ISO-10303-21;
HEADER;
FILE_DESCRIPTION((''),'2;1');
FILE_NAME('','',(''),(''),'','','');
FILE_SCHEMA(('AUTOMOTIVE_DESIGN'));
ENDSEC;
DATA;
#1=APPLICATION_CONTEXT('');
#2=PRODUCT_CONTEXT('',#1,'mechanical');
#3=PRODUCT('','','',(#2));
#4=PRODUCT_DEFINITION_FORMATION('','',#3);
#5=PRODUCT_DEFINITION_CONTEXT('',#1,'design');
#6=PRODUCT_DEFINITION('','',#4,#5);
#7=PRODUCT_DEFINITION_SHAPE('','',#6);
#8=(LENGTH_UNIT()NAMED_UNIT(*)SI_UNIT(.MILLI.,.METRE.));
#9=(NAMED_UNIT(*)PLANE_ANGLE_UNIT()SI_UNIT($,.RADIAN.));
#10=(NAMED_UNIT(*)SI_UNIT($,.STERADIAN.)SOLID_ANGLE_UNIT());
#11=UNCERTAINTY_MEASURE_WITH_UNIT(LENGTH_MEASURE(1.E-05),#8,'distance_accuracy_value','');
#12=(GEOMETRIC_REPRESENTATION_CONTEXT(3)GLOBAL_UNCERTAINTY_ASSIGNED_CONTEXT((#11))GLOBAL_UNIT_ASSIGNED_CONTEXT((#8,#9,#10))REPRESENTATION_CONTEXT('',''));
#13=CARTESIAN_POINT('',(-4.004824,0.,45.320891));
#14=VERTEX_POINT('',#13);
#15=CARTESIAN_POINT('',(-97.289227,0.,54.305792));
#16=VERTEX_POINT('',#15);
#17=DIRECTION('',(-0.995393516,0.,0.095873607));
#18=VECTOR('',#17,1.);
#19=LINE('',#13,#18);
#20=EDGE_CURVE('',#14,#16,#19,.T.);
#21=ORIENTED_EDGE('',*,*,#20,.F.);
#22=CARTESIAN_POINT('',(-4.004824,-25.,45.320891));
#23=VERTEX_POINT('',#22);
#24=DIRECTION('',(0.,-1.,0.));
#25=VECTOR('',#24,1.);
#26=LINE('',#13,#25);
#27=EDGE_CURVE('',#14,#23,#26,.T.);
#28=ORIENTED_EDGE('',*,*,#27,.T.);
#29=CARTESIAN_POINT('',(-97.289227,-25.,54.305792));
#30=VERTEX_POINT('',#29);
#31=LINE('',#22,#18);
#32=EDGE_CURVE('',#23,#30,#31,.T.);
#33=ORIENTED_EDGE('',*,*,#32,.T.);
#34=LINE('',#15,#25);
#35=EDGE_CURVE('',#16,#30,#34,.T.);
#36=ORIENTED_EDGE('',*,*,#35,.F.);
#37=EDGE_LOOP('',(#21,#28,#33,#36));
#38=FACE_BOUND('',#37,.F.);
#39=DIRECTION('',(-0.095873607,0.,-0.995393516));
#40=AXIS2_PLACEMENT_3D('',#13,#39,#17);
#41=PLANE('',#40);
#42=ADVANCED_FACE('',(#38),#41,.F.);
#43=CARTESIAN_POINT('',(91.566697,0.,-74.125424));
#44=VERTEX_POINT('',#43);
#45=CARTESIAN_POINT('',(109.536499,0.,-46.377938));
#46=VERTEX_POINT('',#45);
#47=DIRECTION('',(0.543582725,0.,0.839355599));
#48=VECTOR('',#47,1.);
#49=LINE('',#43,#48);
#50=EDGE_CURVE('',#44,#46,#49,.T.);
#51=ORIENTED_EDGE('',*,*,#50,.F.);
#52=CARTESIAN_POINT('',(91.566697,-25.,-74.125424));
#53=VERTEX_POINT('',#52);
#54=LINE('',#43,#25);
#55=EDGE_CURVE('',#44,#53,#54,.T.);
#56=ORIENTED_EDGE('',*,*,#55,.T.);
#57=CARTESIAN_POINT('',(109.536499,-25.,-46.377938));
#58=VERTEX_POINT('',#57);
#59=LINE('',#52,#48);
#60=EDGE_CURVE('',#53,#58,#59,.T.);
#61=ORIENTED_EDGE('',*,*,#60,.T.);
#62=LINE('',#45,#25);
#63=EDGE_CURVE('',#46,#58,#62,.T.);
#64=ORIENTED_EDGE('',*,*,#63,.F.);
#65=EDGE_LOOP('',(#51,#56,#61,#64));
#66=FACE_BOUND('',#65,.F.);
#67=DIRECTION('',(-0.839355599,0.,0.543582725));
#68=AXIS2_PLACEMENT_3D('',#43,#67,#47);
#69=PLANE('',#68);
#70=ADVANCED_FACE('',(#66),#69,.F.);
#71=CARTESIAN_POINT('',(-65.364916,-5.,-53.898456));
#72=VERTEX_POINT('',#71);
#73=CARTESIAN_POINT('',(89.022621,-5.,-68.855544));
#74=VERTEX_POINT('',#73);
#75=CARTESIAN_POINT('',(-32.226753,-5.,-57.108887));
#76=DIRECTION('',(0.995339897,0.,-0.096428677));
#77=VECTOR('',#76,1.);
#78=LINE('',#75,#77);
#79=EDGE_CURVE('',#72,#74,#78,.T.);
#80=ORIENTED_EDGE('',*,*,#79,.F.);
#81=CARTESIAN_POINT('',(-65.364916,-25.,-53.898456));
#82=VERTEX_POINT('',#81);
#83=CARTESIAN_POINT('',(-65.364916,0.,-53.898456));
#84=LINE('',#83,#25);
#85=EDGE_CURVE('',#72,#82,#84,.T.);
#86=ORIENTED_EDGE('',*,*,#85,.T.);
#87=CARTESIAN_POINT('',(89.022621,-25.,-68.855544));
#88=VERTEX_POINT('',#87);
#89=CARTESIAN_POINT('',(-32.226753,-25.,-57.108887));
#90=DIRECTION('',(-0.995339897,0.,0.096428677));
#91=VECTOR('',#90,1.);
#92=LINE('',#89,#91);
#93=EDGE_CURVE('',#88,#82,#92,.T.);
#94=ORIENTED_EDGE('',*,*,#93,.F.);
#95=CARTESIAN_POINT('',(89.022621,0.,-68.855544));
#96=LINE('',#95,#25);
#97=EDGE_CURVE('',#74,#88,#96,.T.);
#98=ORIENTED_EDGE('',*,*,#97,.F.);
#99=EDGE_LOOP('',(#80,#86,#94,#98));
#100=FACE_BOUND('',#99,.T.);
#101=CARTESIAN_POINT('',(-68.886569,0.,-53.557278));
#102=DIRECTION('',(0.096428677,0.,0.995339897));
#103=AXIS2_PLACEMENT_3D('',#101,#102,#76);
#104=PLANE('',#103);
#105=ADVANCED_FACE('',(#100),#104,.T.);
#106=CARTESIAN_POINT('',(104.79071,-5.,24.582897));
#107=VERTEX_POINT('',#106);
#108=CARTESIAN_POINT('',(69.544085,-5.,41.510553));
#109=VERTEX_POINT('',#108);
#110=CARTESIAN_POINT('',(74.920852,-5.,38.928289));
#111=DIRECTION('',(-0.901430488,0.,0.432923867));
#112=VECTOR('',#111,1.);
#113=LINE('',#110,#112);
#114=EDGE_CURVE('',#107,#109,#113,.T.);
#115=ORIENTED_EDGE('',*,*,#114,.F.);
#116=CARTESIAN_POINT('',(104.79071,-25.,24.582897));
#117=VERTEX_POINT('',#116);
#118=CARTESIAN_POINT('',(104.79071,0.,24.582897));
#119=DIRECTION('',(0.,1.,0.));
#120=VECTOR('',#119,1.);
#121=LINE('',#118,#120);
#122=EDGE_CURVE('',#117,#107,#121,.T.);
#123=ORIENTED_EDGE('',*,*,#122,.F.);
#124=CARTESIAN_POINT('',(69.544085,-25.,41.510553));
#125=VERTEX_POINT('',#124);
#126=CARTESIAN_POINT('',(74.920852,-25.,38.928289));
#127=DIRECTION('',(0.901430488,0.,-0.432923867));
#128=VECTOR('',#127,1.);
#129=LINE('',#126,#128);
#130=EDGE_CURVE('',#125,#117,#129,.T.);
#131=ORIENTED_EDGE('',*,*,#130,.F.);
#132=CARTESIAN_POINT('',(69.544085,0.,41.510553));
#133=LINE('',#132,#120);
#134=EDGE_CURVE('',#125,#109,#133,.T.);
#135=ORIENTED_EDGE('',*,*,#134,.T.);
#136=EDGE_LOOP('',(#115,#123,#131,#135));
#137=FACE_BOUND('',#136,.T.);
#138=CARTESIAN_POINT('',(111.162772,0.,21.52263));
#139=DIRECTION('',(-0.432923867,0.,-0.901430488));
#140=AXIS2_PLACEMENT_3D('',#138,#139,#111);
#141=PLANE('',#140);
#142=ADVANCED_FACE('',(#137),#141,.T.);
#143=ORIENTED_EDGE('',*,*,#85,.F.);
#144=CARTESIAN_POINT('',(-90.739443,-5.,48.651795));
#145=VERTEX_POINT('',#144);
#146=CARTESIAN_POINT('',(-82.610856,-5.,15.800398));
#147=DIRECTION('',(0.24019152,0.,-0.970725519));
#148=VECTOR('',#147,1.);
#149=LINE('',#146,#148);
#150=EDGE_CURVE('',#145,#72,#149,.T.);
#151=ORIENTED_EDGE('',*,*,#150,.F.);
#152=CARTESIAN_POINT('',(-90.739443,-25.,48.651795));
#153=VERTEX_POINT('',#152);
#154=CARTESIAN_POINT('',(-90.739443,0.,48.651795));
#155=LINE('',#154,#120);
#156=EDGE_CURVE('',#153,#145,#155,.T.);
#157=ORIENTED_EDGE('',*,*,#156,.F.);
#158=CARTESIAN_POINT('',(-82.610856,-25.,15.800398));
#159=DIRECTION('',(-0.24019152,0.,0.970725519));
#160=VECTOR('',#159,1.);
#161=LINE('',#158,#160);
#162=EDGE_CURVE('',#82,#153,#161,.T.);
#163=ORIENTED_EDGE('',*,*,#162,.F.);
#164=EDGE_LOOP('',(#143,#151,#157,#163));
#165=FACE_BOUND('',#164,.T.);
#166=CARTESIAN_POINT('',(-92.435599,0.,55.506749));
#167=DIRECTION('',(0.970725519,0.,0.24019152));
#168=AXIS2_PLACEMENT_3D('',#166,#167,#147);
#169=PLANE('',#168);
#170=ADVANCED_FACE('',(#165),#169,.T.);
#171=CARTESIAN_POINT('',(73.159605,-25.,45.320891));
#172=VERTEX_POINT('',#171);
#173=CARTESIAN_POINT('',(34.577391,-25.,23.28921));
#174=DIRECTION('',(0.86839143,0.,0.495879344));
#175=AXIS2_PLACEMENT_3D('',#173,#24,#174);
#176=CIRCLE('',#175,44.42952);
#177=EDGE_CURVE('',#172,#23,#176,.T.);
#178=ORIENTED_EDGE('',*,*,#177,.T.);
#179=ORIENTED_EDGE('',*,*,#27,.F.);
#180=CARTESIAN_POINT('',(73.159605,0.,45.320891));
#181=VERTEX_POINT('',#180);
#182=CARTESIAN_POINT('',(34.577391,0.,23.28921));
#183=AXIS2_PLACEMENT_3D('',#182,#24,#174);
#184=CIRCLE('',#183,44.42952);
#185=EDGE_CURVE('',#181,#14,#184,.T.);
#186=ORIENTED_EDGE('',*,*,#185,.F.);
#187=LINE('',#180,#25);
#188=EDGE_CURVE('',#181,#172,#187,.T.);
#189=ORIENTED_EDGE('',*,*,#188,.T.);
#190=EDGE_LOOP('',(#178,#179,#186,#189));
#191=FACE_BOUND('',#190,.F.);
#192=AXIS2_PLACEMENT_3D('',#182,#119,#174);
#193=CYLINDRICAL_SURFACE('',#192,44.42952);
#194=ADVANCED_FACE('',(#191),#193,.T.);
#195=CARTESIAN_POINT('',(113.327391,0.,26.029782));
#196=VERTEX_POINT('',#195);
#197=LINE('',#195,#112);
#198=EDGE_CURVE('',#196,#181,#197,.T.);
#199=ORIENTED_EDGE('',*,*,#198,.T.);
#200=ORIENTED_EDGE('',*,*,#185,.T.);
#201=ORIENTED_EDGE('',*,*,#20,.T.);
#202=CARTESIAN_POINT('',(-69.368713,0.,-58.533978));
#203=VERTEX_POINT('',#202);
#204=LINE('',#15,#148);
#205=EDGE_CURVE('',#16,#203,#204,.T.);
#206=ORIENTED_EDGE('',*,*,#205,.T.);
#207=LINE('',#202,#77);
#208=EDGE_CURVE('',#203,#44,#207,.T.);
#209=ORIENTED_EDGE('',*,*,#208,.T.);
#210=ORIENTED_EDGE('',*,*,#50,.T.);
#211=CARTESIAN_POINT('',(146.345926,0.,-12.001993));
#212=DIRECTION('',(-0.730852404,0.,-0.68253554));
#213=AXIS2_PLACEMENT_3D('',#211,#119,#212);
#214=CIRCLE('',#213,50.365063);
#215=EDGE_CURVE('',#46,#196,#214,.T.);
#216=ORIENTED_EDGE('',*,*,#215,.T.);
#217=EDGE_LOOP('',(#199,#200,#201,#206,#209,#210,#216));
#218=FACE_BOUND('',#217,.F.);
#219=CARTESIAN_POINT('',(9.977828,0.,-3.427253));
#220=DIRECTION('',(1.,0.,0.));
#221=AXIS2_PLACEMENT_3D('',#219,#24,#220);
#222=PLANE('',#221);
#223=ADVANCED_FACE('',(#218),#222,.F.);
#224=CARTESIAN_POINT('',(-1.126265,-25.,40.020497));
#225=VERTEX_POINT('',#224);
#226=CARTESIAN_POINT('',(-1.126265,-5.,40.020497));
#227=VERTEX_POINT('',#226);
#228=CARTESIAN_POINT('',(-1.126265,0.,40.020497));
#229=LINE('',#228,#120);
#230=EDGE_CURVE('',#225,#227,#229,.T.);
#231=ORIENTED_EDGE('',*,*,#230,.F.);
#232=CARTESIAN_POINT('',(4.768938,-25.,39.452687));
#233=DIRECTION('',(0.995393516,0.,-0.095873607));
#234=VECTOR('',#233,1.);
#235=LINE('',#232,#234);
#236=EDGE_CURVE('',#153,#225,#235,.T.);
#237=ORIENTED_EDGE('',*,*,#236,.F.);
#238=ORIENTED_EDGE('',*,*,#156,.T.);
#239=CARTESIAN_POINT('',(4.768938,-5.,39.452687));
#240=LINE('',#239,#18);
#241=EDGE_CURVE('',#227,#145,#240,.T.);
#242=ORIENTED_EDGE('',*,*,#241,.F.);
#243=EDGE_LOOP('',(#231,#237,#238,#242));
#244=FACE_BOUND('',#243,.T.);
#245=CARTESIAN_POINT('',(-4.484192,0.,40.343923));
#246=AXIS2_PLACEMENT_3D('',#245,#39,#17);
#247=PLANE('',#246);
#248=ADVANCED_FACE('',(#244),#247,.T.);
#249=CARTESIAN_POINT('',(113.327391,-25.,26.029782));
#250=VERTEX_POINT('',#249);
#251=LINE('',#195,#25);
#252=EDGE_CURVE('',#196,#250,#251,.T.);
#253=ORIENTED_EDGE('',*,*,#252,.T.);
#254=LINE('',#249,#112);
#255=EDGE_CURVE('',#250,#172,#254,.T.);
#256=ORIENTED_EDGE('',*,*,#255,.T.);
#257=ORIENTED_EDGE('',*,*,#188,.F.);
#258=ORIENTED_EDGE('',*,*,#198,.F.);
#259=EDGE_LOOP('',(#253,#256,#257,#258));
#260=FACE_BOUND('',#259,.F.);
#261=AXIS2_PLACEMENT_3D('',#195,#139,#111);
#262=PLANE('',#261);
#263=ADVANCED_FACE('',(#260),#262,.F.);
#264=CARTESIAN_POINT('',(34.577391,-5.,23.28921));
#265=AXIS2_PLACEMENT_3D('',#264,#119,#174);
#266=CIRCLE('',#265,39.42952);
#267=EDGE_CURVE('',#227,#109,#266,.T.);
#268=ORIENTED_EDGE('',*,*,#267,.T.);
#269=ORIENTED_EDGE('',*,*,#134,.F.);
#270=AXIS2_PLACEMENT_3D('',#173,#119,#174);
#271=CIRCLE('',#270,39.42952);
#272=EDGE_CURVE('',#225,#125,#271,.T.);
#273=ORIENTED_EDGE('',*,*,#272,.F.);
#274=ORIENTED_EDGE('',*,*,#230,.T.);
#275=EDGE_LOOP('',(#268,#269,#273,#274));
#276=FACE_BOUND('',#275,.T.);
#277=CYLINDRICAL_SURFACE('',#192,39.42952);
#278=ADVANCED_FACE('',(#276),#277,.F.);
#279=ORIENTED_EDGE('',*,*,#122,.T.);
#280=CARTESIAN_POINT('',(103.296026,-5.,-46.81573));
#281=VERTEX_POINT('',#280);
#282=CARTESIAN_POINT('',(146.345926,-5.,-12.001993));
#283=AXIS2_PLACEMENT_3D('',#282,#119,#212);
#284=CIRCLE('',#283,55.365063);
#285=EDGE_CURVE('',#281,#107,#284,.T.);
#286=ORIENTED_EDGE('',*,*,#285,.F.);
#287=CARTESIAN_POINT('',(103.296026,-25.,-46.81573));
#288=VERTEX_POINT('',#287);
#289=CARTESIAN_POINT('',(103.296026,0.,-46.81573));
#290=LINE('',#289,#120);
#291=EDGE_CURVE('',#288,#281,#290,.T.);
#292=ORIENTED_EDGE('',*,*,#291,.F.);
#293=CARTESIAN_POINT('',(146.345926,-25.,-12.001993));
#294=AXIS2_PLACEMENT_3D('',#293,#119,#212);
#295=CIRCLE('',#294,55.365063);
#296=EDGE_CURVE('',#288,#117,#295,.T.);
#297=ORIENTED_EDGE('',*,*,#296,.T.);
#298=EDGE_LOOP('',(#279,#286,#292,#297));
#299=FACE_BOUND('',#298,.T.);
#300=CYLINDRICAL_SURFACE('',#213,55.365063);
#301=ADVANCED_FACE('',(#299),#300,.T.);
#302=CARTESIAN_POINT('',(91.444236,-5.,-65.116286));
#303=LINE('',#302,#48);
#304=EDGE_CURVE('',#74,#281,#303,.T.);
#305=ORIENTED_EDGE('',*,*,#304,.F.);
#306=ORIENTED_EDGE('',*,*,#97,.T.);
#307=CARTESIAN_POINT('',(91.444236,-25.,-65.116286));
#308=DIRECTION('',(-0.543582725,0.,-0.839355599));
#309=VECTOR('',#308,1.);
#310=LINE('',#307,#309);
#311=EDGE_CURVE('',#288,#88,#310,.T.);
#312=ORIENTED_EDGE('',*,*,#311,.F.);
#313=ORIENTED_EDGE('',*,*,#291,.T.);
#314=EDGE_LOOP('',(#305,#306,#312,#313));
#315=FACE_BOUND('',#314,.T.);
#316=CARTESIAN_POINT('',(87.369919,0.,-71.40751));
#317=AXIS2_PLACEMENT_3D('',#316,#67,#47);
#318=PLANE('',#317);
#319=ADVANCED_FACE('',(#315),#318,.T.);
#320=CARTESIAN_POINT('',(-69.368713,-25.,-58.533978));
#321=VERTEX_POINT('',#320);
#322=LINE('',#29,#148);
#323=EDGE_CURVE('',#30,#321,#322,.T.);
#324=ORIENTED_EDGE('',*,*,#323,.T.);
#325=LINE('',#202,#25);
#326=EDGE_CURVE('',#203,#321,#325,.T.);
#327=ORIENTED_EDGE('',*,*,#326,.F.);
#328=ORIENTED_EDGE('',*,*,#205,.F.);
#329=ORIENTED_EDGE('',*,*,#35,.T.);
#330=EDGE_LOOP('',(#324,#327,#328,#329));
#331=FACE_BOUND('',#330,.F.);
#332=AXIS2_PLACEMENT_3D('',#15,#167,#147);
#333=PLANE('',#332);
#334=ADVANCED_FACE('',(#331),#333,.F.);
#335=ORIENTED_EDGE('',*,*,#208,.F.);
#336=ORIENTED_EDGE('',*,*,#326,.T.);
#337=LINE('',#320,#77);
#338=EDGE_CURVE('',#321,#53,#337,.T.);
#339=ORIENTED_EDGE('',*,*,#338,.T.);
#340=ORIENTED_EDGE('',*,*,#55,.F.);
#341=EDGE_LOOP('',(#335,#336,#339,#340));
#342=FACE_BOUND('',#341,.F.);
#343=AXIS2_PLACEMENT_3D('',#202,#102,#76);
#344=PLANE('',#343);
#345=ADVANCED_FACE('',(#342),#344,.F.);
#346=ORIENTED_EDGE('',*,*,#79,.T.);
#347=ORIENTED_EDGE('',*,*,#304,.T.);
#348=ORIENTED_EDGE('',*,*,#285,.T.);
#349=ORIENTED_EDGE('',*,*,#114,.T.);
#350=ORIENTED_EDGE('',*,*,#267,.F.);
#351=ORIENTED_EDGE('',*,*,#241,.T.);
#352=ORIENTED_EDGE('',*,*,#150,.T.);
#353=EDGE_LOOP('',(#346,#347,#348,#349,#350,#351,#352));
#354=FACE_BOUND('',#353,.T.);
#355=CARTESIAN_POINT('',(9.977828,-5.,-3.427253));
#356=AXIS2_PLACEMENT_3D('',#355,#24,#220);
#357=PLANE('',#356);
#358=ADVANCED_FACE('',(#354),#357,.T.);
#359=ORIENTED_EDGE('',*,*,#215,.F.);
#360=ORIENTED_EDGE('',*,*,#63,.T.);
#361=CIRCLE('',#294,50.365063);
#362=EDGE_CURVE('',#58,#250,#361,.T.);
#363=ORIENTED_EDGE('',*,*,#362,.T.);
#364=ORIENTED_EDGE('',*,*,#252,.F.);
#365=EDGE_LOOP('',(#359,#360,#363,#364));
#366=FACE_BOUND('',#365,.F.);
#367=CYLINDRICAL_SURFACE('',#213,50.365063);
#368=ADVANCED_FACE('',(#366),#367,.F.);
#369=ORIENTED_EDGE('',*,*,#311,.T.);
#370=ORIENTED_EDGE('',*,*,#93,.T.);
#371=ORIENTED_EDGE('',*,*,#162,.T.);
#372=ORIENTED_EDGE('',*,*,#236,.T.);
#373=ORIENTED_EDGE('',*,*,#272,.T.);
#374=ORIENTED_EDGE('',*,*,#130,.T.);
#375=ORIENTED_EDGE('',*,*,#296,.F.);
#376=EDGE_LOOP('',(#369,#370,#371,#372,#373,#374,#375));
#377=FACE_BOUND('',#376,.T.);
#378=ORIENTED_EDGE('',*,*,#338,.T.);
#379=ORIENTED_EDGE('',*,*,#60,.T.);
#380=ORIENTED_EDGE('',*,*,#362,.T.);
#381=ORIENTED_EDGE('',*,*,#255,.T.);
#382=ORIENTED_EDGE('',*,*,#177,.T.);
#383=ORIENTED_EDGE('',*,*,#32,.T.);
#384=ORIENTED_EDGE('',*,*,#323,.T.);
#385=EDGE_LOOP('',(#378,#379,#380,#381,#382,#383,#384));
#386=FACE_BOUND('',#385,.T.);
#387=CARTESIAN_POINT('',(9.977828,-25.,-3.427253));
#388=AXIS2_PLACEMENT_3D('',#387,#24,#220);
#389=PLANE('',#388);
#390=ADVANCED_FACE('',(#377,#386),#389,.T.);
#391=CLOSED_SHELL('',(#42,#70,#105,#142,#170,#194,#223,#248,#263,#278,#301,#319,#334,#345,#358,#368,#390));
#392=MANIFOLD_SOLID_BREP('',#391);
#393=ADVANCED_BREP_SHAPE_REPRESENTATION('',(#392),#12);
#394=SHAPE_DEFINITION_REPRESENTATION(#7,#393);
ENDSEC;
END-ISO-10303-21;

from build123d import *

# Parameters (mm, degrees)
F1_DEPTH = 25
F2_T     = -5


with BuildPart() as f1:
    # F0 (on Front) → F1 (new body)
    with BuildSketch(Plane.XZ):
        with BuildLine():
            Line((-97.2892269492, 54.3057918549), (-69.368712604, -58.5339777172))
            Line((-69.368712604, -58.5339777172), (91.566696763, -74.1254240274))
            Line((91.566696763, -74.1254240274), (109.536498785, -46.3779382408))
            ThreePointArc((109.536498785, -46.3779382408), (96.0497476015, -9.3687458636), (113.3273914456, 26.0297823697))
            Line((113.3273914456, 26.0297823697), (73.1596052647, 45.3208908439))
            ThreePointArc((73.1596052647, 45.3208908439), (34.5773908775, 67.7187295906), (-4.0048235096, 45.3208908439))
            Line((-4.0048235096, 45.3208908439), (-97.2892269492, 54.3057918549))
        make_face()
    extrude(amount=F1_DEPTH)

    # F2
    f2_openings = [f1.faces().sort_by_distance(p)[0] for p in [
        (10.886871, -25, -4.972042),
    ]]
    offset(amount=F2_T, openings=f2_openings, kind=Kind.INTERSECTION)


solid = f1.part
